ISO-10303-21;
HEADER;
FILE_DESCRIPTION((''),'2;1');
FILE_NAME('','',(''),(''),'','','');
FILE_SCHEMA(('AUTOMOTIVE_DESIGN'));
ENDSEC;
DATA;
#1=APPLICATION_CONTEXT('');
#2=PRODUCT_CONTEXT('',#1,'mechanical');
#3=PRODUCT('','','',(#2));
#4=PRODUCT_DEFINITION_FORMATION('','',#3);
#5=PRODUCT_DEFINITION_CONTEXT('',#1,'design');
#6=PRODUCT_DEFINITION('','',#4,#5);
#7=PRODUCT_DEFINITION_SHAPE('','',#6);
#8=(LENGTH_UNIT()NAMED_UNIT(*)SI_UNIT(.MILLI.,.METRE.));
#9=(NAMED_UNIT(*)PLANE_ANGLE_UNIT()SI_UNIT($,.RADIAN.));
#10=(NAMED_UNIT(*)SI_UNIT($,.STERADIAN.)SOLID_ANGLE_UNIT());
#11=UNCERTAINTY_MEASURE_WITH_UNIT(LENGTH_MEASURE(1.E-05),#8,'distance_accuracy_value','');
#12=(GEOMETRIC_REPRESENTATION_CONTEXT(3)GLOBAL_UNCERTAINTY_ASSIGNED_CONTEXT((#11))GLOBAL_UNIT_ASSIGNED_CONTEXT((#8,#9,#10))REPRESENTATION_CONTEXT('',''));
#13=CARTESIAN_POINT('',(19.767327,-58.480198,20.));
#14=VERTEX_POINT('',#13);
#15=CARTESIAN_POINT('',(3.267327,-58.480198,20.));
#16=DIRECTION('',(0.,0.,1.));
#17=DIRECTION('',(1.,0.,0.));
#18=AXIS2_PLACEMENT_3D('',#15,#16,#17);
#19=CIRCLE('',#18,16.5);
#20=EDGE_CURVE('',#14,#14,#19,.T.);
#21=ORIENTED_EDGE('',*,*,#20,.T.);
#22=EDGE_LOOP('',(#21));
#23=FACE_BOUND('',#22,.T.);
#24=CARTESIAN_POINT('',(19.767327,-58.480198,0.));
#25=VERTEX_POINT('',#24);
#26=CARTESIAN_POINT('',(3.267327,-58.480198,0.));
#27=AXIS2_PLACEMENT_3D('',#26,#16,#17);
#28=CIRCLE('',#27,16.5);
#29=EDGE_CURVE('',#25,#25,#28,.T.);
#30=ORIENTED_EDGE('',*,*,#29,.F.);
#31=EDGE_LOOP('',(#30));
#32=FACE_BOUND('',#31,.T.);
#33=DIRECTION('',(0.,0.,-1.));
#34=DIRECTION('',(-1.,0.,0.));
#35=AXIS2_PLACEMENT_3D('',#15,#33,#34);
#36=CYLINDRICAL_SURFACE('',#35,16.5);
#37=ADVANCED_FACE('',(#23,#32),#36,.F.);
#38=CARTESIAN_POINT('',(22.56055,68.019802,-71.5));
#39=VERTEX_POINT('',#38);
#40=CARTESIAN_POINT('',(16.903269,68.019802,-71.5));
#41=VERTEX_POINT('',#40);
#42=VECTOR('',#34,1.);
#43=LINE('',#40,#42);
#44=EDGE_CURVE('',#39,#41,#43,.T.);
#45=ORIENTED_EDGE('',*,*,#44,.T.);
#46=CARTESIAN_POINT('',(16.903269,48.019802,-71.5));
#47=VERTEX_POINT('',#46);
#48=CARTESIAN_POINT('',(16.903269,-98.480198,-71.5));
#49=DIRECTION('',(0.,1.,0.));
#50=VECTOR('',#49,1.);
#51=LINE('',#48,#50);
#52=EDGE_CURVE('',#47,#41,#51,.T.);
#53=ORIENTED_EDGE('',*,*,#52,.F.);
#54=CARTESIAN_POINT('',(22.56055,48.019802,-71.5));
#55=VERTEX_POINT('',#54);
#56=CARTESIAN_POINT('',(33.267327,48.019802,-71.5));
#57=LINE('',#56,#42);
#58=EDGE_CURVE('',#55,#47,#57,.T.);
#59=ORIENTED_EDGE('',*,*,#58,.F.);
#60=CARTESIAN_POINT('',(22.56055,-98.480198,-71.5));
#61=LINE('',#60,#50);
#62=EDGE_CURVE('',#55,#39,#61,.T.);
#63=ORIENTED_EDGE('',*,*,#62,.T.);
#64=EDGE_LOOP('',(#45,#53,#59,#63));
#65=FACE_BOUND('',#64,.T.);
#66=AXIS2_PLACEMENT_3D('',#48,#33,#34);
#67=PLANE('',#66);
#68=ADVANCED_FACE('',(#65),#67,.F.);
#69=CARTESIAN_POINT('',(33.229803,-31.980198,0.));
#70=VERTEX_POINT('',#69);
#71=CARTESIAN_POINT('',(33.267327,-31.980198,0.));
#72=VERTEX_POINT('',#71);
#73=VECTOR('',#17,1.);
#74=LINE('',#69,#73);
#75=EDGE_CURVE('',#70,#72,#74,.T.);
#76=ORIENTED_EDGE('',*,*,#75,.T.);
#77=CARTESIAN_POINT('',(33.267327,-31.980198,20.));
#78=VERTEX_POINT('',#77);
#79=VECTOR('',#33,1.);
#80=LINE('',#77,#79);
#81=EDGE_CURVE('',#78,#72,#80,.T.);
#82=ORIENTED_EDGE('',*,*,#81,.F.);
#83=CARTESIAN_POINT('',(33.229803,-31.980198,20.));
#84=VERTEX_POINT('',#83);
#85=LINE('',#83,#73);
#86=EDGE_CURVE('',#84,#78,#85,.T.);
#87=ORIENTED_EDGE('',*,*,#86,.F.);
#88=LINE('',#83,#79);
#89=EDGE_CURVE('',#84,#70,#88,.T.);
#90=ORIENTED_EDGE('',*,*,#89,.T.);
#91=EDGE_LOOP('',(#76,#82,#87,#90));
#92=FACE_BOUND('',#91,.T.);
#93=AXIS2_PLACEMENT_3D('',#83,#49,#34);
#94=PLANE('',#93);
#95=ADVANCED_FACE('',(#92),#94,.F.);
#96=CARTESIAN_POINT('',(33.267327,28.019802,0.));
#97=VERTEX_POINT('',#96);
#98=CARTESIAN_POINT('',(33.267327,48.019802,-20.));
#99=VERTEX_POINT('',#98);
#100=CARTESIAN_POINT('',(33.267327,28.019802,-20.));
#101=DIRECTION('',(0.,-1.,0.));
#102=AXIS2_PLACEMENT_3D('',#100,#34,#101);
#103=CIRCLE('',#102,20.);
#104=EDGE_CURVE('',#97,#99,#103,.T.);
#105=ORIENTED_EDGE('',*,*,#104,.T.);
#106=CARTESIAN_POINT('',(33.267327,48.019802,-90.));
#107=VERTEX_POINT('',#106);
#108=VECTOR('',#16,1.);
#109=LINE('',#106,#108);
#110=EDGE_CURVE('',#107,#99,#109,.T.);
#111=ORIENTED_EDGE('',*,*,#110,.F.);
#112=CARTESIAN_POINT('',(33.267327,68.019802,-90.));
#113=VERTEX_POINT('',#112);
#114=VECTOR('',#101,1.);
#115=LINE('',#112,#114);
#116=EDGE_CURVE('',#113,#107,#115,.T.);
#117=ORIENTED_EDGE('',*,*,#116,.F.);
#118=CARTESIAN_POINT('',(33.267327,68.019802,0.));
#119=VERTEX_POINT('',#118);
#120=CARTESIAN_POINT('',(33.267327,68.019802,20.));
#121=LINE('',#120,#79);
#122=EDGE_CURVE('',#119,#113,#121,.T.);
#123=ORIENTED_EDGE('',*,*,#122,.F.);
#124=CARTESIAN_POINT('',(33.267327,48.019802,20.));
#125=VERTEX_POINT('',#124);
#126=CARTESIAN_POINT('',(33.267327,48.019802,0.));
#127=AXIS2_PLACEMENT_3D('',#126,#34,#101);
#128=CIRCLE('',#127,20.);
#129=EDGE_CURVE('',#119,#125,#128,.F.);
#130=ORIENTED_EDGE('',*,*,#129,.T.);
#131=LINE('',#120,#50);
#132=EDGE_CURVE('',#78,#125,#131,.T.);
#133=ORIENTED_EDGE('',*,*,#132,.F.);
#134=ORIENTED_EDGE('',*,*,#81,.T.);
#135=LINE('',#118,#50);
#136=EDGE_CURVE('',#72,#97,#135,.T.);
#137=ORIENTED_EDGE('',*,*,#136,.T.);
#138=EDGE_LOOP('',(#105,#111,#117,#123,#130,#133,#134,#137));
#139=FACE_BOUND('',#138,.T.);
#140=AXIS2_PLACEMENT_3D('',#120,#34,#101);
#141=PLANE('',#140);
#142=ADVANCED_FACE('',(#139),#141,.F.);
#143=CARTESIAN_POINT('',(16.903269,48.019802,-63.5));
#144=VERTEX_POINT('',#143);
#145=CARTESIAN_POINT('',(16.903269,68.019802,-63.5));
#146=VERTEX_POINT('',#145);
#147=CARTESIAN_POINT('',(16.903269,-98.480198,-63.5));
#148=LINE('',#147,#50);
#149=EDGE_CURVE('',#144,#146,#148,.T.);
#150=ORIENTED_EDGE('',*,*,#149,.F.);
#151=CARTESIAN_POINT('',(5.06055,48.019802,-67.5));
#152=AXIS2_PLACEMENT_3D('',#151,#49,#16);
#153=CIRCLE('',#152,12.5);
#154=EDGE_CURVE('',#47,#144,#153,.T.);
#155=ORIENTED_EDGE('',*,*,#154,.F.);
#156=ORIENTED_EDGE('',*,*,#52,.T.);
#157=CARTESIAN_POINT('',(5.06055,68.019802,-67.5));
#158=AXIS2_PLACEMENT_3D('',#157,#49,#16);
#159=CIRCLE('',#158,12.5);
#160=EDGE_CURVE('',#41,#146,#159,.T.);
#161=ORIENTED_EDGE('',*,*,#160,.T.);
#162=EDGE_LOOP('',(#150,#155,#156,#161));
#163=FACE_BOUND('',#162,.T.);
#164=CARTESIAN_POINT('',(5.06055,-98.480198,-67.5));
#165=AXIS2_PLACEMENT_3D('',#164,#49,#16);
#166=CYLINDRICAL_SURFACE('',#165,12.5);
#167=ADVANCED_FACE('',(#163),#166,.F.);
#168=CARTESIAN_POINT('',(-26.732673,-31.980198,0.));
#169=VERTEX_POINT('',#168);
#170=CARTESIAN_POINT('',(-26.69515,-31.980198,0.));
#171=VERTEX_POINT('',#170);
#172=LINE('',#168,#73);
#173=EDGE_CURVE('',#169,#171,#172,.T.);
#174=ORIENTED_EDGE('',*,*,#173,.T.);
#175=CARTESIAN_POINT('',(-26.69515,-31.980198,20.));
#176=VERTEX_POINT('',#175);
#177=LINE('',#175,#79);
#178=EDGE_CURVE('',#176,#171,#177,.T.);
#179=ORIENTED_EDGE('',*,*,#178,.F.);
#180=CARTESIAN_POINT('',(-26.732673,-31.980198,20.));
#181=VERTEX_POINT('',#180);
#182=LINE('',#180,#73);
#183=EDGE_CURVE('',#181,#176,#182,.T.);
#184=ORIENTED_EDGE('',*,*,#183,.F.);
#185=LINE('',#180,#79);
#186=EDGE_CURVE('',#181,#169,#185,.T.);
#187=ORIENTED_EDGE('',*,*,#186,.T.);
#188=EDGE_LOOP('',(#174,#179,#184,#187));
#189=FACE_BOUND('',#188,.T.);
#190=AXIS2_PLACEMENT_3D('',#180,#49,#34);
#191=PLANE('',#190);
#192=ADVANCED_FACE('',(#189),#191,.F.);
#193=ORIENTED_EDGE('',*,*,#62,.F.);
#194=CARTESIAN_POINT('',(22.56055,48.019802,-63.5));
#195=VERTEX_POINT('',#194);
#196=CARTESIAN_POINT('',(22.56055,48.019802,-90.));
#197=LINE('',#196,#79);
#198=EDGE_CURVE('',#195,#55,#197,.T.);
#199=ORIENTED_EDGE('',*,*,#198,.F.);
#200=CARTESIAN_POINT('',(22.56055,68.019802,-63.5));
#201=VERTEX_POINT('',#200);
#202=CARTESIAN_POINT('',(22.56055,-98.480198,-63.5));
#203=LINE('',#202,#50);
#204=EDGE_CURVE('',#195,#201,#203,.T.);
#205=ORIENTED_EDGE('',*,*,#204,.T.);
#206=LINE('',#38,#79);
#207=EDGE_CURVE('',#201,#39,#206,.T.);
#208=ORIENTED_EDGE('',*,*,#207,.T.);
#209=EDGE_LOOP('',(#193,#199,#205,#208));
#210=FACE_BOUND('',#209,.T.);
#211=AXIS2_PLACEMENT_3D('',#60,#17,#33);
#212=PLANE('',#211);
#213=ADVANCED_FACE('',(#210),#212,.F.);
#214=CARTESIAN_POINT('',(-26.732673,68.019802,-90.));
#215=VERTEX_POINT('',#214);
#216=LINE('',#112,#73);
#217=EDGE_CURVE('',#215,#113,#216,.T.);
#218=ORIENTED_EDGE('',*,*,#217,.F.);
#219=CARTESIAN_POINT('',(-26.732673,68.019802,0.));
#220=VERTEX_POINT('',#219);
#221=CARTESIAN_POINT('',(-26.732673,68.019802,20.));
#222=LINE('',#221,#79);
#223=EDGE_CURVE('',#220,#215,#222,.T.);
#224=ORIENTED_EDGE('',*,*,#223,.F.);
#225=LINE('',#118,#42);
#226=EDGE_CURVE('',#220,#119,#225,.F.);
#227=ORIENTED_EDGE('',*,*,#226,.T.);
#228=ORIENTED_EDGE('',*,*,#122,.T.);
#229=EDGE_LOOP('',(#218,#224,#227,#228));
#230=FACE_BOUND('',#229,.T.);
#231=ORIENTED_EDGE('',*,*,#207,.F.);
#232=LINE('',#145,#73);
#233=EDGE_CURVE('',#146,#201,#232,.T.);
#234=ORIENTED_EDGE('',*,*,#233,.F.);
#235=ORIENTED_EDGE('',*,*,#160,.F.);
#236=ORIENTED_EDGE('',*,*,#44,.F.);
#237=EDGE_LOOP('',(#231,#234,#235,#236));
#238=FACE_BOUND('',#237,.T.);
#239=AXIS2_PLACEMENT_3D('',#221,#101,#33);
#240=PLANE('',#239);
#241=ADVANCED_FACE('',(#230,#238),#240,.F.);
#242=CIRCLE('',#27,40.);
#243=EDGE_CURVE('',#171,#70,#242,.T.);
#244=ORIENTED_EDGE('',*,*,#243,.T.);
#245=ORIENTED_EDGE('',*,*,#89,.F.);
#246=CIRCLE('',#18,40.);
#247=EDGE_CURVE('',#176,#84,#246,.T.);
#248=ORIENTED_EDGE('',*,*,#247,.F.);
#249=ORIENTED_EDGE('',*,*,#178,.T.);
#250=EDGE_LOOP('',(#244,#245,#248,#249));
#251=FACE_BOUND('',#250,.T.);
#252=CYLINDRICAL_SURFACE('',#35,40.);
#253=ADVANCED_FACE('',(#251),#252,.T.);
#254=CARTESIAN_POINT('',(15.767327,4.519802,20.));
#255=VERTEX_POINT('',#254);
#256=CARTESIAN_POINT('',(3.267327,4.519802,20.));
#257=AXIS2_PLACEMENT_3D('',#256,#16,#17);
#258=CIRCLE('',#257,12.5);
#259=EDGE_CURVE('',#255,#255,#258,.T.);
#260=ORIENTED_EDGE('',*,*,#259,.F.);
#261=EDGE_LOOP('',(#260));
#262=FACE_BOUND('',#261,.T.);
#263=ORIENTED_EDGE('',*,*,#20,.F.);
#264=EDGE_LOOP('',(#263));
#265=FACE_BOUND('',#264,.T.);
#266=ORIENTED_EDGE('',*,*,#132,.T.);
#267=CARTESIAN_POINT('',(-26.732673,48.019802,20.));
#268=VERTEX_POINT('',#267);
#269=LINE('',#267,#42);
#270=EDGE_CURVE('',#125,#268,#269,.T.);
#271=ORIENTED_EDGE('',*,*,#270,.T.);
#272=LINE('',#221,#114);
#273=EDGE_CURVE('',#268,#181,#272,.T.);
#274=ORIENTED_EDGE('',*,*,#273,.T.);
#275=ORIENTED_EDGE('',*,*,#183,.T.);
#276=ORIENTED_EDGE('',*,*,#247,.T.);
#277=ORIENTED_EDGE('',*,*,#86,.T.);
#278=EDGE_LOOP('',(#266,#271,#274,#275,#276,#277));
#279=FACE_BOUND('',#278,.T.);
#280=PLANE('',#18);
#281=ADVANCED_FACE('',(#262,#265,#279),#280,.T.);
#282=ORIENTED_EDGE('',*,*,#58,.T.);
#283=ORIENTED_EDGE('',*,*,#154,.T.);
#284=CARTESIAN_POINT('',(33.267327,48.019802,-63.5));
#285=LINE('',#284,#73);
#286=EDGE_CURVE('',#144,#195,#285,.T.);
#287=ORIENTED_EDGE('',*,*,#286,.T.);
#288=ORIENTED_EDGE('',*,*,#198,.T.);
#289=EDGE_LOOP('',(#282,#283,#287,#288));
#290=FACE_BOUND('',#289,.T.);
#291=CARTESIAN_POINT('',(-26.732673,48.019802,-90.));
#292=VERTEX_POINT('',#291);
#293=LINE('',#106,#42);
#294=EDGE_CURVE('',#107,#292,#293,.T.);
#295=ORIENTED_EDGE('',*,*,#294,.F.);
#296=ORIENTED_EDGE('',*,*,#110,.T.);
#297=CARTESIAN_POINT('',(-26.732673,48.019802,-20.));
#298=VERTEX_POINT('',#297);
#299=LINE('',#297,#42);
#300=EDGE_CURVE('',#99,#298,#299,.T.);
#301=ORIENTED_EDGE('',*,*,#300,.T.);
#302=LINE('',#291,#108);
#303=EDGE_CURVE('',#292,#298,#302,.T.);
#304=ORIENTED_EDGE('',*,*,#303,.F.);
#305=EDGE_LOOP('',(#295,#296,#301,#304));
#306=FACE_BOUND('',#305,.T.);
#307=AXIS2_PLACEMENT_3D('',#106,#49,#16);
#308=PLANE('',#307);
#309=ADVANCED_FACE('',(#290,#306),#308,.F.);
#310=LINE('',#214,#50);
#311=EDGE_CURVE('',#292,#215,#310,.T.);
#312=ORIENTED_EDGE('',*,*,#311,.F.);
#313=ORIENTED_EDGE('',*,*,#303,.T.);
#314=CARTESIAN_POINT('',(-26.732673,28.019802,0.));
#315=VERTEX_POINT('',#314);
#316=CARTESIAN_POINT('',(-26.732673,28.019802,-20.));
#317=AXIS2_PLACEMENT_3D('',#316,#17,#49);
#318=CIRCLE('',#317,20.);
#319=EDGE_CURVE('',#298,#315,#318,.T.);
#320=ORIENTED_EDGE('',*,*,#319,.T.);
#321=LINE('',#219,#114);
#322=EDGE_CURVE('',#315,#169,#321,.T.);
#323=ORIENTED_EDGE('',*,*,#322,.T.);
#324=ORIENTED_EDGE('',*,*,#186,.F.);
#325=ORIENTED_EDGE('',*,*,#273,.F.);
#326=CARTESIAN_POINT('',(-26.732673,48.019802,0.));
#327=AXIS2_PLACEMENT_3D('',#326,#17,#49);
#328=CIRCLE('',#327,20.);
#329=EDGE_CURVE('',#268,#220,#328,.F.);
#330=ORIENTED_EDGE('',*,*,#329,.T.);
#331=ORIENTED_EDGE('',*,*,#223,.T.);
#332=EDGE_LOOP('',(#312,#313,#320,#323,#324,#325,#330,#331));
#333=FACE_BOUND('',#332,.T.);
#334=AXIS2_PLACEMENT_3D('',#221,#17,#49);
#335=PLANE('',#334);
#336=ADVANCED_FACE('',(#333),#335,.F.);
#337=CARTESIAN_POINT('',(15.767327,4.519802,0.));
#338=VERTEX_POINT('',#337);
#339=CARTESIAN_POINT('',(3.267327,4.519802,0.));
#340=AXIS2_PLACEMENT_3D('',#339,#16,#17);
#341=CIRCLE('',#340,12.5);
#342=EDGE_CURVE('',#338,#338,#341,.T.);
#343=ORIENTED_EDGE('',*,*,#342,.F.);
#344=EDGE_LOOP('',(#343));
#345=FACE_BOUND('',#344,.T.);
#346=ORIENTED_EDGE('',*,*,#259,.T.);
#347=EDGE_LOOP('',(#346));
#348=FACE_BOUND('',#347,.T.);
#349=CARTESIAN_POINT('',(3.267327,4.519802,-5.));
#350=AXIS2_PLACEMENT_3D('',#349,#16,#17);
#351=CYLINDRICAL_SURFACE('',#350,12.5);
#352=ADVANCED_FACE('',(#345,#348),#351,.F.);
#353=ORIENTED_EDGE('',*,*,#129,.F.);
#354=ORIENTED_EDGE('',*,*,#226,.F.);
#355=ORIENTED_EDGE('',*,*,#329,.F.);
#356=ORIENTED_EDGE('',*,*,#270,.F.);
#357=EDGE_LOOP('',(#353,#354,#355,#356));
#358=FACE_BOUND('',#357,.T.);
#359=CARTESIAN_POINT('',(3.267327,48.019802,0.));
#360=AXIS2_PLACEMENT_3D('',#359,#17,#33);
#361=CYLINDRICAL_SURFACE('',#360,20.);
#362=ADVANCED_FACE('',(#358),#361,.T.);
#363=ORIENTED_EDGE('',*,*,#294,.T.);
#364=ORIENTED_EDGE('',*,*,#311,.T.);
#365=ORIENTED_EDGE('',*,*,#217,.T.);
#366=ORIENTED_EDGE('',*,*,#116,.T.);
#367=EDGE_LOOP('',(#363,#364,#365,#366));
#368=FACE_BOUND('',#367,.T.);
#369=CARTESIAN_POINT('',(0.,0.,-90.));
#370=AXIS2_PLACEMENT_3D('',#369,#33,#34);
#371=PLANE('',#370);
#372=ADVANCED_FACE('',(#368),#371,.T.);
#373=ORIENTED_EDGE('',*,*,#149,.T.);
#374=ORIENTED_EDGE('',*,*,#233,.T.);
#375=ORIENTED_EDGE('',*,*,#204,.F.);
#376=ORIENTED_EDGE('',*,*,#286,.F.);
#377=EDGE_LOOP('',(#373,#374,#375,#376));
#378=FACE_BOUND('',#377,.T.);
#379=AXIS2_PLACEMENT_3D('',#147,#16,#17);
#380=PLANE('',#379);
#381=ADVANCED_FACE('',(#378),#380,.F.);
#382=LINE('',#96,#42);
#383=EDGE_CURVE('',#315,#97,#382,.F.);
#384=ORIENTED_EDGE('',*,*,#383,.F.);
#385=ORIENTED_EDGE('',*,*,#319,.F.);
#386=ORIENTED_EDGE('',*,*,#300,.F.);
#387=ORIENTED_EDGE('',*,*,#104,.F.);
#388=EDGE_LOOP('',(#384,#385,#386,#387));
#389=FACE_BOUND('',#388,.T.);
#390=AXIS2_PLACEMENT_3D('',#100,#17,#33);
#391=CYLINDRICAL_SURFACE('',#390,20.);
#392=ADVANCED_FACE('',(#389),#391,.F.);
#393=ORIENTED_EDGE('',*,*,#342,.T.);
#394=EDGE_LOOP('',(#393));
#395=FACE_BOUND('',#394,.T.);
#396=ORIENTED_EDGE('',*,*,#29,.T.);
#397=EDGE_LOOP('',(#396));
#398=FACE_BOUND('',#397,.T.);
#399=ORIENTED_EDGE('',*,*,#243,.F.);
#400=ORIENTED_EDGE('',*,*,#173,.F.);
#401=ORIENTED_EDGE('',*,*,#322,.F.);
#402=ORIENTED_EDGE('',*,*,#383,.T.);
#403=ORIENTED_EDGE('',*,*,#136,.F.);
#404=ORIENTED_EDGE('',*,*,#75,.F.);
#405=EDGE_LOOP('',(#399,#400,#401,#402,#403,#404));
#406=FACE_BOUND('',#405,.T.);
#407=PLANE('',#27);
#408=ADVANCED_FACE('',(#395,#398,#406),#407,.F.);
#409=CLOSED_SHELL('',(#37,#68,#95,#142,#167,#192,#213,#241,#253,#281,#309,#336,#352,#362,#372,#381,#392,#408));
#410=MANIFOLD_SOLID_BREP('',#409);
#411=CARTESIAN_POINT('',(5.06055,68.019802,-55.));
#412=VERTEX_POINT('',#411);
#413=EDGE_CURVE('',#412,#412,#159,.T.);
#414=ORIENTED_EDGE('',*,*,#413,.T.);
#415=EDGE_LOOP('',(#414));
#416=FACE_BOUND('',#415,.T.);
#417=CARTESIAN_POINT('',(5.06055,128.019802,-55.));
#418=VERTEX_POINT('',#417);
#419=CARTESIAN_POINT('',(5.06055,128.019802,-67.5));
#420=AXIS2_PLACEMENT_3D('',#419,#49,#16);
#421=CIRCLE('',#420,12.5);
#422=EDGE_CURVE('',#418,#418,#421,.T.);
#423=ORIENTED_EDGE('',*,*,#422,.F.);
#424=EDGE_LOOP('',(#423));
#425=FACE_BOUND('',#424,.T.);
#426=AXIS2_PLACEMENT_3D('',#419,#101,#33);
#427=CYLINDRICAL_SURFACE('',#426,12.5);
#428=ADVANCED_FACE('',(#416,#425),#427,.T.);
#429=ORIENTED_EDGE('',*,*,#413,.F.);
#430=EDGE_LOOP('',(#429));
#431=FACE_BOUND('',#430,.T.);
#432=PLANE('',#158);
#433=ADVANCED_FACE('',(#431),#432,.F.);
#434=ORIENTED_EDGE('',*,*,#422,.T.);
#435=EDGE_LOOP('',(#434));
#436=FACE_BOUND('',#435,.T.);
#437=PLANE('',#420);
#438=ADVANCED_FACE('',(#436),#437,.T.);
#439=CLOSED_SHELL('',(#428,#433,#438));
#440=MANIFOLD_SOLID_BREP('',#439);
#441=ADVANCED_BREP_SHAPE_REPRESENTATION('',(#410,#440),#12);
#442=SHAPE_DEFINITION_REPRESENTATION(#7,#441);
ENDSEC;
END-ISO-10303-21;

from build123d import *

# Parameters (mm, degrees)
SKETCH1_R           = 16.5
BOSS_EXTRUDE1_DEPTH = 20
SKETCH2_W           = 60
SKETCH2_H           = 20
BOSS_EXTRUDE3_DEPTH = 90
FILLET2_R           = 20
FILLET3_R           = 20
CUT_EXTRUDE1_DEPTH  = 167.5
SKETCH4_R           = 12.5
CUT_EXTRUDE4_DEPTH  = 25
SKETCH5_R           = 12.5
BOSS_EXTRUDE4_DEPTH = 60


with BuildPart() as part:
    # Sketch1 → Boss-Extrude1 (new body)
    with BuildSketch(Plane.XY):
        with BuildLine():
            Line((33.229803266, -31.98019802), (33.267326733, -31.98019802))
            Line((33.267326733, -31.98019802), (33.267326733, 68.01980198))
            Line((33.267326733, 68.01980198), (-26.732673267, 68.01980198))
            Line((-26.732673267, 68.01980198), (-26.732673267, -31.98019802))
            Line((-26.732673267, -31.98019802), (-26.6951498, -31.98019802))
            ThreePointArc((-26.6951498, -31.98019802), (3.267326733, -98.48019802), (33.229803266, -31.98019802))
        make_face()
        with Locations((3.267326733, -58.48019802)):
            Circle(SKETCH1_R, mode=Mode.SUBTRACT)
    extrude(amount=BOSS_EXTRUDE1_DEPTH)

    # Sketch2 → Boss-Extrude3 (add)
    with BuildSketch(Plane(origin=(0, 0, 0), x_dir=(-1, 0, 0), z_dir=(0, 0, -1))):
        with Locations((-3.267326733, 58.01980198)):
            Rectangle(SKETCH2_W, SKETCH2_H)
    extrude(amount=BOSS_EXTRUDE3_DEPTH)

    # Fillet2
    fillet2_edges = [part.edges().sort_by_distance(p)[0] for p in [
        (3.267326733, 68.01980198, 20),
    ]]
    fillet(fillet2_edges, radius=FILLET2_R)

    # Fillet3
    fillet3_edges = [part.edges().sort_by_distance(p)[0] for p in [
        (3.267326733, 48.01980198, 0),
    ]]
    fillet(fillet3_edges, radius=FILLET3_R)

    # Sketch3 → Cut-Extrude1 (cut, through all)
    with BuildSketch(Plane(origin=(0, 68.01980198, 0), x_dir=(1, 0, 0), z_dir=(0, 1, 0))):
        with BuildLine():
            Line((16.903269484, 71.5), (22.560550202, 71.5))
            Line((22.560550202, 71.5), (22.560550202, 63.5))
            Line((22.560550202, 63.5), (16.903269484, 63.5))
            ThreePointArc((16.903269484, 63.5), (-7.439449798, 67.5), (16.903269484, 71.5))
        make_face()
    extrude(amount=-CUT_EXTRUDE1_DEPTH, mode=Mode.SUBTRACT)

    # Sketch4 → Cut-Extrude4 (cut)
    with BuildSketch(Plane.XY.offset(20)):
        with Locations((3.267326733, 4.51980198)):
            Circle(SKETCH4_R)
    extrude(amount=-CUT_EXTRUDE4_DEPTH, mode=Mode.SUBTRACT)


with BuildPart() as body_2:
    # Sketch5 → Boss-Extrude4 (new body)
    with BuildSketch(Plane(origin=(0, 68.01980198, 0), x_dir=(1, 0, 0), z_dir=(0, 1, 0))):
        with Locations((5.060550202, 67.5)):
            Circle(SKETCH5_R)
    extrude(amount=BOSS_EXTRUDE4_DEPTH)


solid = Compound([part.part, body_2.part])
